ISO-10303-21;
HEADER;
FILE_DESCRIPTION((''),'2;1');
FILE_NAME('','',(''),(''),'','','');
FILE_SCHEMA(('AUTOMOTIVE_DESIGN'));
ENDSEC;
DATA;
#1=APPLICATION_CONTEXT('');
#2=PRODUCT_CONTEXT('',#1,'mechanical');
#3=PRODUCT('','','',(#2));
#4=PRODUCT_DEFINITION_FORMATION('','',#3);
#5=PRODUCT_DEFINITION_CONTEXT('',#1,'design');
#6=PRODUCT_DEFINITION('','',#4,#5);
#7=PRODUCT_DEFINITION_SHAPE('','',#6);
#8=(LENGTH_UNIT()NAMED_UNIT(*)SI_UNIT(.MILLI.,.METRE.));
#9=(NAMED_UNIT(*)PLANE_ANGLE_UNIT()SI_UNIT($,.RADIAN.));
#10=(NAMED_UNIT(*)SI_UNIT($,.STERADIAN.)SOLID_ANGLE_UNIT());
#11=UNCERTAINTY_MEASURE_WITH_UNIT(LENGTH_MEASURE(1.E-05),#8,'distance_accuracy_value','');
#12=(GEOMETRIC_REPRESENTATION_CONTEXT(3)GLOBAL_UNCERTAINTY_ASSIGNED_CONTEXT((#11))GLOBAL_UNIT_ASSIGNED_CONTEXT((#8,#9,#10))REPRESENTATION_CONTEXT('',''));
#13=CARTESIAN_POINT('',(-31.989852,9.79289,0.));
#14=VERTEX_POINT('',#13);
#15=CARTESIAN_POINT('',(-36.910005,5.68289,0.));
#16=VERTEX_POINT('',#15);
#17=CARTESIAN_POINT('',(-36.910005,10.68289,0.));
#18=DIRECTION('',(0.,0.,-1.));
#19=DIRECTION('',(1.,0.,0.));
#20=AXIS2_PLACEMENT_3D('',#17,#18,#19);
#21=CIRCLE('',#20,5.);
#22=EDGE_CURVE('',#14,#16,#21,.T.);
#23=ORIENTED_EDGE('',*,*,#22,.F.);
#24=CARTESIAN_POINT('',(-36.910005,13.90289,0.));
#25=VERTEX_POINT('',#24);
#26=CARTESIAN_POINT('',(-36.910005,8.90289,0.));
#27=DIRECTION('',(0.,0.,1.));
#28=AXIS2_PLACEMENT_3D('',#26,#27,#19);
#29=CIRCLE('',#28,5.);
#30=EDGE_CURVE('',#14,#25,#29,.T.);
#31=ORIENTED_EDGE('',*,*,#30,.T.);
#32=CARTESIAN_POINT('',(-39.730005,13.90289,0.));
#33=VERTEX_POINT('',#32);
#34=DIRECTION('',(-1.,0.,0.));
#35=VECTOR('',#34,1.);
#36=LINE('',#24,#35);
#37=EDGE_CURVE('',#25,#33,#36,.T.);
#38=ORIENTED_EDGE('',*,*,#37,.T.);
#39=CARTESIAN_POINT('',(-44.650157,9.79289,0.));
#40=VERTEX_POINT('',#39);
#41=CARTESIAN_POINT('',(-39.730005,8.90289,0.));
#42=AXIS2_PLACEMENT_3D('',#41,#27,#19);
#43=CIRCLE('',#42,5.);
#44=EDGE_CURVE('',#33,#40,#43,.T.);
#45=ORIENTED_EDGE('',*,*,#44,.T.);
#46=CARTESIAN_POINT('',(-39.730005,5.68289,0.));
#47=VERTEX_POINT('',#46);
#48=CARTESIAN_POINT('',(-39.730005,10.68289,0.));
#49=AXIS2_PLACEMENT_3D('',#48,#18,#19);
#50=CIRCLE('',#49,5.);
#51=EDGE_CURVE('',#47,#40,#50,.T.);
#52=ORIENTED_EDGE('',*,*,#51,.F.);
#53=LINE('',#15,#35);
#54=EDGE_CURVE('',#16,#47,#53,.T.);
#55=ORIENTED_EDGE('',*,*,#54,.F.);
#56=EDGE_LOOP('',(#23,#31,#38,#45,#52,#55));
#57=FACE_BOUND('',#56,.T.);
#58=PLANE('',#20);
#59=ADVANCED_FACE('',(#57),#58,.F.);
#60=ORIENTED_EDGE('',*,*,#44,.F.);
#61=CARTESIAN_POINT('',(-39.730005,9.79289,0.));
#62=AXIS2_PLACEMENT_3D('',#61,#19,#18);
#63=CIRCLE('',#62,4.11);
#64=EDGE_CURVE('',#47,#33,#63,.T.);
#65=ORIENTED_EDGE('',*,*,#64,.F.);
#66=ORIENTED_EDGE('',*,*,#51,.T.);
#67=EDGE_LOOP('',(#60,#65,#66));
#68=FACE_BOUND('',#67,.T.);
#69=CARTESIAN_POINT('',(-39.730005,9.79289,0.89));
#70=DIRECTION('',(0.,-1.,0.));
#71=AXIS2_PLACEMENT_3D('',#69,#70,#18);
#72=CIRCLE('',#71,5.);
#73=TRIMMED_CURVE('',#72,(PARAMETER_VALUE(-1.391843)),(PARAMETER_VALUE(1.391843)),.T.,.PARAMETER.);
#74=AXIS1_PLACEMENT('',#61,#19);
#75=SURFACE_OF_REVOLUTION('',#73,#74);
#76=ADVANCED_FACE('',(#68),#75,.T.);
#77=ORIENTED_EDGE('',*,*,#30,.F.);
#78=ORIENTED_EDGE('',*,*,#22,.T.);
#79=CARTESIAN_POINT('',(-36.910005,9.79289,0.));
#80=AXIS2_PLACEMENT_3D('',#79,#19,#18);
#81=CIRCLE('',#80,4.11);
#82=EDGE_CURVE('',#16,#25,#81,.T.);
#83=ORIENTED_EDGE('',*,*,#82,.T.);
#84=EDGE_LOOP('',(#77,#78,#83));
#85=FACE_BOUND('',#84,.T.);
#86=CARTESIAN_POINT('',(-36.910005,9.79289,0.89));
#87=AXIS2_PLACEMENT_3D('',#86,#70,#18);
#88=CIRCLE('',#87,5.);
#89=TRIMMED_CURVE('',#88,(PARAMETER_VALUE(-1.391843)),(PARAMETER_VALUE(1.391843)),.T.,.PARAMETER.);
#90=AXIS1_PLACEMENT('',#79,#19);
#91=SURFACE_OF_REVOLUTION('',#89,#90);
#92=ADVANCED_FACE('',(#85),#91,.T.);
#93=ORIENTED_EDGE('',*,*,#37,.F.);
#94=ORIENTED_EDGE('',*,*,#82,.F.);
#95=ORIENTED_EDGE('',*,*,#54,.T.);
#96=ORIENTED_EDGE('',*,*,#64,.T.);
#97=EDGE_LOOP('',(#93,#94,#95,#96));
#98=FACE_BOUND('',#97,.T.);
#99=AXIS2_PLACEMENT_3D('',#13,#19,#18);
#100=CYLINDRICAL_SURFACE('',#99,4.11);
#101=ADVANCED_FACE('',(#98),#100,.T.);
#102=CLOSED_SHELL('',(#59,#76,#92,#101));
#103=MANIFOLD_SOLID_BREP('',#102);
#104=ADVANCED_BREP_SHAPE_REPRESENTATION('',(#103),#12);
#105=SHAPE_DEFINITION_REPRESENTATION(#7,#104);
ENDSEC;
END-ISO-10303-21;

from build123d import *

# Parameters (mm, degrees)
REVOLVE1_ANGLE = 180


with BuildPart() as part:
    # Sketch1 → Revolve1 (revolve)
    with BuildSketch(Plane.XY):
        with BuildLine():
            Line((-31.989852176, 9.792890068), (-44.650157049, 9.792890068))
            ThreePointArc((-44.650157049, 9.792890068), (-42.935468697, 12.740206838), (-39.730004612, 13.902890068))
            Line((-39.730004612, 13.902890068), (-36.910004612, 13.902890068))
            ThreePointArc((-36.910004612, 13.902890068), (-33.704540527, 12.740206838), (-31.989852176, 9.792890068))
        make_face()
    revolve(axis=Axis((-31.989852176, 9.792890068, 0), (-1, 0, 0)), revolution_arc=REVOLVE1_ANGLE)


solid = part.part
